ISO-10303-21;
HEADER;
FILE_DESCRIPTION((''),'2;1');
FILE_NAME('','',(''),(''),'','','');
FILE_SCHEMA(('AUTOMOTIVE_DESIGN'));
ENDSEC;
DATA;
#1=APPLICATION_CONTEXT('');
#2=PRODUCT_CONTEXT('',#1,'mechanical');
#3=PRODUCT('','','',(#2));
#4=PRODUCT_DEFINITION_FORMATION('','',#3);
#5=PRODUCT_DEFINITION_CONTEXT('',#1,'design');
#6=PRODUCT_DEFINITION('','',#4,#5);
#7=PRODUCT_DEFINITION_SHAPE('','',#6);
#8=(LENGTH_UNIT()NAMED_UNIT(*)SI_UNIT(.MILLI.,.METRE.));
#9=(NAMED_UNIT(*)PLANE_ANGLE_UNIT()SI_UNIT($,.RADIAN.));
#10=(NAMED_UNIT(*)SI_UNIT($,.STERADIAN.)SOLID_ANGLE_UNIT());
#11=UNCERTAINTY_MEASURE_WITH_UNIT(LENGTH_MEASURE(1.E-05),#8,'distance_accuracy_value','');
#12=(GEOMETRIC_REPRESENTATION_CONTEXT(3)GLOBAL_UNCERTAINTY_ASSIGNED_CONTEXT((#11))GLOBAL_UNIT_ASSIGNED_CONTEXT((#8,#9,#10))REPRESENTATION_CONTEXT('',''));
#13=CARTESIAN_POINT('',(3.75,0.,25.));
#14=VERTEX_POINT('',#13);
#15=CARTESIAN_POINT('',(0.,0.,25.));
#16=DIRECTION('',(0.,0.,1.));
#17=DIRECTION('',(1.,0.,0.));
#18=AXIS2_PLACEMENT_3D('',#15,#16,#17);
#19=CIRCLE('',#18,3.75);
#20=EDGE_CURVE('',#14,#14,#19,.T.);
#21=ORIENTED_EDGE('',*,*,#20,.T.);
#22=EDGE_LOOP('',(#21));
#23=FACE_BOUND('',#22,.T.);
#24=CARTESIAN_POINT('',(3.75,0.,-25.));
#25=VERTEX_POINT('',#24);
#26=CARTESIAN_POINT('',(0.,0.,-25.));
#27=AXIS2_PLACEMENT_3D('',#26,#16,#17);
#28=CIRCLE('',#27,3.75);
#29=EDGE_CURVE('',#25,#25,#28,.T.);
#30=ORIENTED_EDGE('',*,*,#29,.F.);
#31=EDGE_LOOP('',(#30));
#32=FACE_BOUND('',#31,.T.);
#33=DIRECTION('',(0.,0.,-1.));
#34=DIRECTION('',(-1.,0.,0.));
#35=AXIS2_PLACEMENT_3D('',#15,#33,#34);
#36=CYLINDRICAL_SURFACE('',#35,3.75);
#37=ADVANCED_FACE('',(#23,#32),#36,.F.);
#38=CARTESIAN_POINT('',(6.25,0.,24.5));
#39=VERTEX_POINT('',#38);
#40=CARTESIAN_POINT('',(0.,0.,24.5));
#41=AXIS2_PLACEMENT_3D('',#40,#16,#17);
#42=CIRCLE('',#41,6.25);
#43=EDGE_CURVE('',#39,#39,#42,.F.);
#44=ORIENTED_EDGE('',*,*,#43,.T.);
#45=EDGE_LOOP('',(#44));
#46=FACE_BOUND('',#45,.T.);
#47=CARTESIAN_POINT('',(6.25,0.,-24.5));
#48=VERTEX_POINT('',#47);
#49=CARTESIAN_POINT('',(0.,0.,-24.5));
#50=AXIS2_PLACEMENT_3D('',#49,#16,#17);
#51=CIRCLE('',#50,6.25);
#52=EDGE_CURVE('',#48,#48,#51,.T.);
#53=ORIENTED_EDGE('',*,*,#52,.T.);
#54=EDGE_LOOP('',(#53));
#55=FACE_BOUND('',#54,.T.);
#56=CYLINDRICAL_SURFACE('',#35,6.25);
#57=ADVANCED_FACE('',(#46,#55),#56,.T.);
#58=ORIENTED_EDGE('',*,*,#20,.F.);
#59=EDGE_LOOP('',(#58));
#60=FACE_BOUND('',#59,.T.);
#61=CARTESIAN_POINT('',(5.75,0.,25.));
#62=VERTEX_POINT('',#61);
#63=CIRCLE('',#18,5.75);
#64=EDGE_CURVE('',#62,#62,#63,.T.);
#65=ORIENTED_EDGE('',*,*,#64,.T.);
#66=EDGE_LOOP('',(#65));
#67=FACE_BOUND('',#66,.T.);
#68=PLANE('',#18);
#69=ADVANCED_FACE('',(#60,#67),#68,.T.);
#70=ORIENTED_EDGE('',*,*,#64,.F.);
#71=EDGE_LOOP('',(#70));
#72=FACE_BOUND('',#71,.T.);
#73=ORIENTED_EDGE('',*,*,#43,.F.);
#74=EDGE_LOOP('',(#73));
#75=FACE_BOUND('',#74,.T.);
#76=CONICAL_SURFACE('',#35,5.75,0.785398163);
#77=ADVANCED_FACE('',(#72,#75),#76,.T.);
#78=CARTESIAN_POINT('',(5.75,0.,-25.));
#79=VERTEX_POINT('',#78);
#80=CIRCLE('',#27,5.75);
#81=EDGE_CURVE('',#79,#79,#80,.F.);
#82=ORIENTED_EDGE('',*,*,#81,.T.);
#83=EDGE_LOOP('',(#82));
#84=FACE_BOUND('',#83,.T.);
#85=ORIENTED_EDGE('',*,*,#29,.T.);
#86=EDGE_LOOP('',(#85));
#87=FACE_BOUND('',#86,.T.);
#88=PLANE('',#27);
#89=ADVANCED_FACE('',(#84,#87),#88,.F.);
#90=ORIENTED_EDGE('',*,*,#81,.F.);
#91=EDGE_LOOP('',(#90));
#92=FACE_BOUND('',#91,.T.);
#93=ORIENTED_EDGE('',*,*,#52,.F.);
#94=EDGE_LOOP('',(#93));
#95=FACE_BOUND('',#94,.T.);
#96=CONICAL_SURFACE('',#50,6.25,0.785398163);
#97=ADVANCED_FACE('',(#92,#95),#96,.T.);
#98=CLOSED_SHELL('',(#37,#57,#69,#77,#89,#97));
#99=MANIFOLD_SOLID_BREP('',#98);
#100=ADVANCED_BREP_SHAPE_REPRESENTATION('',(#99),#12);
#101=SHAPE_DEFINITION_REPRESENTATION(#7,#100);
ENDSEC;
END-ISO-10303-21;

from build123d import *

# Parameters (mm, degrees)
SKETCH1_R           = 6.25
SKETCH1_R_2         = 3.75
EXTRUDE_THIN1_DEPTH = 25
CHAMFER1_SIZE       = 0.5


with BuildPart() as part:
    # Sketch1 → Extrude-Thin1 (new body, symmetric)
    with BuildSketch(Plane.XY):
        Circle(SKETCH1_R)
        Circle(SKETCH1_R_2, mode=Mode.SUBTRACT)
    extrude(amount=EXTRUDE_THIN1_DEPTH, both=True)

    # Chamfer1
    chamfer1_edges = [part.edges().sort_by_distance(p)[0] for p in [
        (-6.25, 0, -25),
        (-6.25, 0, 25),
    ]]
    chamfer(chamfer1_edges, length=CHAMFER1_SIZE)


solid = part.part
